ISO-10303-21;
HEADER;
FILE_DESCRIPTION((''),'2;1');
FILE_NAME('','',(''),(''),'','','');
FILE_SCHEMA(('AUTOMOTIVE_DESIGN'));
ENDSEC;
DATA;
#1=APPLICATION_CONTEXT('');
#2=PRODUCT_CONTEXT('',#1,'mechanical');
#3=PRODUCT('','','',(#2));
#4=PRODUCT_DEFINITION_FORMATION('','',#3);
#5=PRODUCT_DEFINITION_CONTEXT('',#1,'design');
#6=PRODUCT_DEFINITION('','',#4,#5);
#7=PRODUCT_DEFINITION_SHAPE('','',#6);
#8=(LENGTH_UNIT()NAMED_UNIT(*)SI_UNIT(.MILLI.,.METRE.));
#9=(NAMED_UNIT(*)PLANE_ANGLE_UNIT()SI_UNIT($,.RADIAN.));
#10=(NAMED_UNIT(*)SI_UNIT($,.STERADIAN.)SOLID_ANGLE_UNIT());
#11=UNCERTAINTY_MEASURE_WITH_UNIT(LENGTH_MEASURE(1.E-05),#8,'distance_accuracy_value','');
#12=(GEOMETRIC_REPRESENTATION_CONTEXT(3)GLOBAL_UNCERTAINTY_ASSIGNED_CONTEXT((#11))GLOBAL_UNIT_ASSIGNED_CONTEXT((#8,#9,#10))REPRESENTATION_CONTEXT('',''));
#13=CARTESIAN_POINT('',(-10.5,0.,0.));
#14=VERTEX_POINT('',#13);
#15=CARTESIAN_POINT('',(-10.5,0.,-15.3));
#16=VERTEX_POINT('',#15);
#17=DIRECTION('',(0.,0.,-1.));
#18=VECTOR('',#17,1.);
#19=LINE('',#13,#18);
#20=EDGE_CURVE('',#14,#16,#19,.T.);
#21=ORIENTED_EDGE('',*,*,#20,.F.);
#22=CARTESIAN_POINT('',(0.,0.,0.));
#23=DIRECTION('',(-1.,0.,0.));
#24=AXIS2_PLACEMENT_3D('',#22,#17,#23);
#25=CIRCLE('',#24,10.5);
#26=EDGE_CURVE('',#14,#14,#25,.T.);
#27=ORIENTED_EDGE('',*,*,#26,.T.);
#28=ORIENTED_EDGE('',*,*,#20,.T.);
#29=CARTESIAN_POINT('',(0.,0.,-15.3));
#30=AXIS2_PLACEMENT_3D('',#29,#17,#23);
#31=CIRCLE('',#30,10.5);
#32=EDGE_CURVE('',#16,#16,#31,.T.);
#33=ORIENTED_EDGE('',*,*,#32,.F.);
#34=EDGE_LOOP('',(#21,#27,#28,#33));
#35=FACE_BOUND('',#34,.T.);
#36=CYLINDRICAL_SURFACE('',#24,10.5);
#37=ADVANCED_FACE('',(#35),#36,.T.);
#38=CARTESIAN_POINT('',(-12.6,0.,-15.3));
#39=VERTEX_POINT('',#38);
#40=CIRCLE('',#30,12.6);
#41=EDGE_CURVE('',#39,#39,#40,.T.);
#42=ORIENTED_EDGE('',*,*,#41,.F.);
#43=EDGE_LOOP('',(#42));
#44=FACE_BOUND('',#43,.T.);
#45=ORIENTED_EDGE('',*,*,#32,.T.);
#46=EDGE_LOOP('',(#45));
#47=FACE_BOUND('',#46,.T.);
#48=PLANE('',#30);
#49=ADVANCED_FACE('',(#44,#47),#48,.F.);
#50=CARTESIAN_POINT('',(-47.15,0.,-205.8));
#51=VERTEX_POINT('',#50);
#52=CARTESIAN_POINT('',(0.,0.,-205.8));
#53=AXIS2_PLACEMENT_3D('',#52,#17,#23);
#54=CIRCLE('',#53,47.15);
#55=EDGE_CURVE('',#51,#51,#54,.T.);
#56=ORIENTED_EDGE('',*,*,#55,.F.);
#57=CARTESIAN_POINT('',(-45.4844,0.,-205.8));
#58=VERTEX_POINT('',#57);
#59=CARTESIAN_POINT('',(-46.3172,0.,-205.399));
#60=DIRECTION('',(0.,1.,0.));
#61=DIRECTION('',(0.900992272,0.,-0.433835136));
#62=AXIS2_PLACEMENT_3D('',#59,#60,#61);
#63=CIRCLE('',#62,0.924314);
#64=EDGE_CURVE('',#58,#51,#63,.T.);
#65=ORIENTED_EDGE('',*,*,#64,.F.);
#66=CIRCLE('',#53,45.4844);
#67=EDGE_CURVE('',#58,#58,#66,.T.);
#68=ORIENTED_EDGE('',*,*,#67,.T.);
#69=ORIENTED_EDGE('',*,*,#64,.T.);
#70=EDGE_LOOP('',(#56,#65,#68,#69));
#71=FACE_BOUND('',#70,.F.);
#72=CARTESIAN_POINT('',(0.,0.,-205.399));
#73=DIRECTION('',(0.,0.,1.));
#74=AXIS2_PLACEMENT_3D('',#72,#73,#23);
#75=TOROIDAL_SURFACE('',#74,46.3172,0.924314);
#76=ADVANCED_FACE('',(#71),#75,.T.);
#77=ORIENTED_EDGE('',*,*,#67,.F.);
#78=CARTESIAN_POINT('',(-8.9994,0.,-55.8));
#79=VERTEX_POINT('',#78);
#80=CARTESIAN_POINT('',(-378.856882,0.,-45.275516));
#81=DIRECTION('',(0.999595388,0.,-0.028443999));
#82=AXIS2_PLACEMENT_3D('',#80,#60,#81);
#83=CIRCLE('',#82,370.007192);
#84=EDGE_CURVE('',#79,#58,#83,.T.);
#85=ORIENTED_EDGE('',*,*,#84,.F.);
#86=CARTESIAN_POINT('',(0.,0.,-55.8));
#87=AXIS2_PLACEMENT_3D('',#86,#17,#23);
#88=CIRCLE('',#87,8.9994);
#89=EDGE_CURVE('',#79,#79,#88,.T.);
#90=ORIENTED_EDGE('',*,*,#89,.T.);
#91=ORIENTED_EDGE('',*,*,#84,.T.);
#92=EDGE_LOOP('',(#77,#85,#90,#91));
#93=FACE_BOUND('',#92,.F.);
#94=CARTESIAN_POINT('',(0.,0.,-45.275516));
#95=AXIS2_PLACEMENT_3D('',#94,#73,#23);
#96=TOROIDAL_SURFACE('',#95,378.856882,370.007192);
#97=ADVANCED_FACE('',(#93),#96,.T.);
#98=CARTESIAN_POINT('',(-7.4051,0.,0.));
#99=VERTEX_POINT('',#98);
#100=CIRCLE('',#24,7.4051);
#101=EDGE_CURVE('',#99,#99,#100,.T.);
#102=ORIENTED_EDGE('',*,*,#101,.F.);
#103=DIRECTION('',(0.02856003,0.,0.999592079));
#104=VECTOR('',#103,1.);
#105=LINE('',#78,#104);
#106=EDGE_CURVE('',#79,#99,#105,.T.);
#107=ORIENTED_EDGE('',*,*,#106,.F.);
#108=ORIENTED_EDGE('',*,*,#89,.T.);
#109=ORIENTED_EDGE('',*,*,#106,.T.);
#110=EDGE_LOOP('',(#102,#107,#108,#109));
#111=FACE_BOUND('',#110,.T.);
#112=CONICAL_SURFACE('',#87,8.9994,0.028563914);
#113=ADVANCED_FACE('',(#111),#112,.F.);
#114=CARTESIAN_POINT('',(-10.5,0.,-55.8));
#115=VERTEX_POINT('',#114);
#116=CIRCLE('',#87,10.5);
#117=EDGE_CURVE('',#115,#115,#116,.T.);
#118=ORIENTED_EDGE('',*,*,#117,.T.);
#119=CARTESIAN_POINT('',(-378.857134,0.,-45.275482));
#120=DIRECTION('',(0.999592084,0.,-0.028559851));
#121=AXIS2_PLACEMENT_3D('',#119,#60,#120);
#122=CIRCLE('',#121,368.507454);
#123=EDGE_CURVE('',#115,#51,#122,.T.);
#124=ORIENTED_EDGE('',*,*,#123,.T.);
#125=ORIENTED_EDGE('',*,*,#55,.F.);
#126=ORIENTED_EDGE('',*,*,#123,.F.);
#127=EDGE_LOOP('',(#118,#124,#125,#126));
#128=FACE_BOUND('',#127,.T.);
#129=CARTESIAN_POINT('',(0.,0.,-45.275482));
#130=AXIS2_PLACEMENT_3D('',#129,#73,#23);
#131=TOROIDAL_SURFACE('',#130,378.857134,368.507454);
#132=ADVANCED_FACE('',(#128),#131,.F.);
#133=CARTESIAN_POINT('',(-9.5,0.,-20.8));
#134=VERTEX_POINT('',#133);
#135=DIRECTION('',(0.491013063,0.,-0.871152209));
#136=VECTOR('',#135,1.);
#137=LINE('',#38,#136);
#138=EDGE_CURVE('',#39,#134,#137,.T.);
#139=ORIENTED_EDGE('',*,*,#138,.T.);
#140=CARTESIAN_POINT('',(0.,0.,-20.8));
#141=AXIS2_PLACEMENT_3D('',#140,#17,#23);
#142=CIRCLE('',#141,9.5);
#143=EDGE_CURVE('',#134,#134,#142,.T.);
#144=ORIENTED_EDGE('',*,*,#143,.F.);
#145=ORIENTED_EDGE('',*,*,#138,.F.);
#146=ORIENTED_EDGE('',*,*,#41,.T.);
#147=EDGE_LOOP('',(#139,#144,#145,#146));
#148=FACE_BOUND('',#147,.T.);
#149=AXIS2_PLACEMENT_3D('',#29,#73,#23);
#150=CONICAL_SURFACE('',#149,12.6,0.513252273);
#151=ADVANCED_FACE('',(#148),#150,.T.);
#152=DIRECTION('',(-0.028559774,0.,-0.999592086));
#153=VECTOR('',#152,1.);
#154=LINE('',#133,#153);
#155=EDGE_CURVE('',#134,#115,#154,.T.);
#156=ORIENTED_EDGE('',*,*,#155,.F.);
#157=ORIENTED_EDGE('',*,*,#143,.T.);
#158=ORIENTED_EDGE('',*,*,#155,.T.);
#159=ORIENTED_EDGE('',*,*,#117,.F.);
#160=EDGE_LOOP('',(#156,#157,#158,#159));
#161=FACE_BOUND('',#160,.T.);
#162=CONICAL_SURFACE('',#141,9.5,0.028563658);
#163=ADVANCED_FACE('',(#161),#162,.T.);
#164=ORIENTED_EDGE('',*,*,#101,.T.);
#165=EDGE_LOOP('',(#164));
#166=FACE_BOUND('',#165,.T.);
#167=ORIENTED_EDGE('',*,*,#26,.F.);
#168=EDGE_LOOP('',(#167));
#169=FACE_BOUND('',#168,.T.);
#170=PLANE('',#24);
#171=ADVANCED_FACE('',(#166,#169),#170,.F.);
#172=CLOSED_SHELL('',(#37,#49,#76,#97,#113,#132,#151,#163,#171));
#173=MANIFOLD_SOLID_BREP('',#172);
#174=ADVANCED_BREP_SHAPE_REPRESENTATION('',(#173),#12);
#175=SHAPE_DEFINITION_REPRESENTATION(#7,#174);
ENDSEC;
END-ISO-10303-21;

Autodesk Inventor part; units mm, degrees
ref_plane "YZ Plane" through (0, 0, 0) normal (1, 0, 0) x (0, 1, 0)
ref_plane "XZ Plane" through (0, 0, 0) normal (0, 1, 0) x (-1, 0, 0)
ref_plane "XY Plane" through (0, 0, 0) normal (0, 0, 1) x (1, 0, 0)
sketch "Sketch1" plane through (0, 0, 0) normal (0, 1, 0) x (-1, 0, 0)
  line L0 (10.5, 0) -> (0, 0) construction
  line L1 (0, 0) -> (0, -205.8) construction
  line L2 (0, -205.8) -> (47.15, -205.8) construction
  line L3 (0, -15.3) -> (12.6, -15.3) construction
  line L4 (0, -20.8) -> (9.5, -20.8) construction
  line L5 (0, -55.8) -> (10.5, -55.8) construction
  line L6 (7.4051, 0) -> (10.5, 0)
  line L7 (10.5, 0) -> (10.5, -15.3)
  line L8 (10.5, -15.3) -> (12.6, -15.3)
  line L9 (12.6, -15.3) -> (9.5, -20.8)
  line L10 (9.5, -20.8) -> (10.5, -55.8)
  line L11 (8.9994, -55.8) -> (7.4051, 0)
  arc A0 (10.5, -55.8) -> (47.15, -205.8) centre (378.857, -45.2755) ccw
  arc A1 (8.9994, -55.8) -> (45.4844, -205.8) centre (378.857, -45.2755) ccw
  arc A2 (45.4844, -205.8) -> (47.15, -205.8) centre (46.3172, -205.399) ccw
  dimension "d0" = 150
  dimension "d1" = 35
  dimension "d2" = 5.5
  dimension "d3" = 15.3
  dimension "d4" = 47.15
  dimension "d5" = 10.5
  dimension "d6" = 9.5
  dimension "d7" = 12.6
  dimension "d8" = 10.5
  dimension "d9" = 1.5
revolve "Revolution1" add sketch "Sketch1" angle 360 about axis through (0, 0, 0) along (0, 0, -1)
thread "Thread1" size "M22x3" class "6g" standard "ANSI Metric M Profile" full length
equation "\"d0\" = Flare_Length"
equation "\"d1\" = Transition_Length"
equation "\"d2\" = Mount_Flange_Length"
equation "\"d3\" = Mount_Length"
equation "\"d4\" = Flare_Diameter"
equation "\"d5\" = Transition_Diameter"
equation "\"d6\" = Tail_Diameter"
equation "\"d7\" = Mount_Flange_Diameter"
equation "\"d8\" = Mount_Diameter"
equation "\"d9\" = Bell_Thickness"
equation "\"Transition_Length\" = 35"
equation "\"Flare_Length\" = 150"
equation "\"Mount_Flange_Length\" = 5.5"
equation "\"Mount_Length\" = 15.3"
equation "\"Flare_Diameter\" = 47.15"
equation "\"Transition_Diameter\" = 10.5"
equation "\"Tail_Diameter\" = 9.5"
equation "\"Mount_Flange_Diameter\" = 12.6"
equation "\"Mount_Diameter\" = 10.5"
equation "\"Bell_Thickness\" = 1.5"
properties part number "Horn_C" material "Steel, Cast"
